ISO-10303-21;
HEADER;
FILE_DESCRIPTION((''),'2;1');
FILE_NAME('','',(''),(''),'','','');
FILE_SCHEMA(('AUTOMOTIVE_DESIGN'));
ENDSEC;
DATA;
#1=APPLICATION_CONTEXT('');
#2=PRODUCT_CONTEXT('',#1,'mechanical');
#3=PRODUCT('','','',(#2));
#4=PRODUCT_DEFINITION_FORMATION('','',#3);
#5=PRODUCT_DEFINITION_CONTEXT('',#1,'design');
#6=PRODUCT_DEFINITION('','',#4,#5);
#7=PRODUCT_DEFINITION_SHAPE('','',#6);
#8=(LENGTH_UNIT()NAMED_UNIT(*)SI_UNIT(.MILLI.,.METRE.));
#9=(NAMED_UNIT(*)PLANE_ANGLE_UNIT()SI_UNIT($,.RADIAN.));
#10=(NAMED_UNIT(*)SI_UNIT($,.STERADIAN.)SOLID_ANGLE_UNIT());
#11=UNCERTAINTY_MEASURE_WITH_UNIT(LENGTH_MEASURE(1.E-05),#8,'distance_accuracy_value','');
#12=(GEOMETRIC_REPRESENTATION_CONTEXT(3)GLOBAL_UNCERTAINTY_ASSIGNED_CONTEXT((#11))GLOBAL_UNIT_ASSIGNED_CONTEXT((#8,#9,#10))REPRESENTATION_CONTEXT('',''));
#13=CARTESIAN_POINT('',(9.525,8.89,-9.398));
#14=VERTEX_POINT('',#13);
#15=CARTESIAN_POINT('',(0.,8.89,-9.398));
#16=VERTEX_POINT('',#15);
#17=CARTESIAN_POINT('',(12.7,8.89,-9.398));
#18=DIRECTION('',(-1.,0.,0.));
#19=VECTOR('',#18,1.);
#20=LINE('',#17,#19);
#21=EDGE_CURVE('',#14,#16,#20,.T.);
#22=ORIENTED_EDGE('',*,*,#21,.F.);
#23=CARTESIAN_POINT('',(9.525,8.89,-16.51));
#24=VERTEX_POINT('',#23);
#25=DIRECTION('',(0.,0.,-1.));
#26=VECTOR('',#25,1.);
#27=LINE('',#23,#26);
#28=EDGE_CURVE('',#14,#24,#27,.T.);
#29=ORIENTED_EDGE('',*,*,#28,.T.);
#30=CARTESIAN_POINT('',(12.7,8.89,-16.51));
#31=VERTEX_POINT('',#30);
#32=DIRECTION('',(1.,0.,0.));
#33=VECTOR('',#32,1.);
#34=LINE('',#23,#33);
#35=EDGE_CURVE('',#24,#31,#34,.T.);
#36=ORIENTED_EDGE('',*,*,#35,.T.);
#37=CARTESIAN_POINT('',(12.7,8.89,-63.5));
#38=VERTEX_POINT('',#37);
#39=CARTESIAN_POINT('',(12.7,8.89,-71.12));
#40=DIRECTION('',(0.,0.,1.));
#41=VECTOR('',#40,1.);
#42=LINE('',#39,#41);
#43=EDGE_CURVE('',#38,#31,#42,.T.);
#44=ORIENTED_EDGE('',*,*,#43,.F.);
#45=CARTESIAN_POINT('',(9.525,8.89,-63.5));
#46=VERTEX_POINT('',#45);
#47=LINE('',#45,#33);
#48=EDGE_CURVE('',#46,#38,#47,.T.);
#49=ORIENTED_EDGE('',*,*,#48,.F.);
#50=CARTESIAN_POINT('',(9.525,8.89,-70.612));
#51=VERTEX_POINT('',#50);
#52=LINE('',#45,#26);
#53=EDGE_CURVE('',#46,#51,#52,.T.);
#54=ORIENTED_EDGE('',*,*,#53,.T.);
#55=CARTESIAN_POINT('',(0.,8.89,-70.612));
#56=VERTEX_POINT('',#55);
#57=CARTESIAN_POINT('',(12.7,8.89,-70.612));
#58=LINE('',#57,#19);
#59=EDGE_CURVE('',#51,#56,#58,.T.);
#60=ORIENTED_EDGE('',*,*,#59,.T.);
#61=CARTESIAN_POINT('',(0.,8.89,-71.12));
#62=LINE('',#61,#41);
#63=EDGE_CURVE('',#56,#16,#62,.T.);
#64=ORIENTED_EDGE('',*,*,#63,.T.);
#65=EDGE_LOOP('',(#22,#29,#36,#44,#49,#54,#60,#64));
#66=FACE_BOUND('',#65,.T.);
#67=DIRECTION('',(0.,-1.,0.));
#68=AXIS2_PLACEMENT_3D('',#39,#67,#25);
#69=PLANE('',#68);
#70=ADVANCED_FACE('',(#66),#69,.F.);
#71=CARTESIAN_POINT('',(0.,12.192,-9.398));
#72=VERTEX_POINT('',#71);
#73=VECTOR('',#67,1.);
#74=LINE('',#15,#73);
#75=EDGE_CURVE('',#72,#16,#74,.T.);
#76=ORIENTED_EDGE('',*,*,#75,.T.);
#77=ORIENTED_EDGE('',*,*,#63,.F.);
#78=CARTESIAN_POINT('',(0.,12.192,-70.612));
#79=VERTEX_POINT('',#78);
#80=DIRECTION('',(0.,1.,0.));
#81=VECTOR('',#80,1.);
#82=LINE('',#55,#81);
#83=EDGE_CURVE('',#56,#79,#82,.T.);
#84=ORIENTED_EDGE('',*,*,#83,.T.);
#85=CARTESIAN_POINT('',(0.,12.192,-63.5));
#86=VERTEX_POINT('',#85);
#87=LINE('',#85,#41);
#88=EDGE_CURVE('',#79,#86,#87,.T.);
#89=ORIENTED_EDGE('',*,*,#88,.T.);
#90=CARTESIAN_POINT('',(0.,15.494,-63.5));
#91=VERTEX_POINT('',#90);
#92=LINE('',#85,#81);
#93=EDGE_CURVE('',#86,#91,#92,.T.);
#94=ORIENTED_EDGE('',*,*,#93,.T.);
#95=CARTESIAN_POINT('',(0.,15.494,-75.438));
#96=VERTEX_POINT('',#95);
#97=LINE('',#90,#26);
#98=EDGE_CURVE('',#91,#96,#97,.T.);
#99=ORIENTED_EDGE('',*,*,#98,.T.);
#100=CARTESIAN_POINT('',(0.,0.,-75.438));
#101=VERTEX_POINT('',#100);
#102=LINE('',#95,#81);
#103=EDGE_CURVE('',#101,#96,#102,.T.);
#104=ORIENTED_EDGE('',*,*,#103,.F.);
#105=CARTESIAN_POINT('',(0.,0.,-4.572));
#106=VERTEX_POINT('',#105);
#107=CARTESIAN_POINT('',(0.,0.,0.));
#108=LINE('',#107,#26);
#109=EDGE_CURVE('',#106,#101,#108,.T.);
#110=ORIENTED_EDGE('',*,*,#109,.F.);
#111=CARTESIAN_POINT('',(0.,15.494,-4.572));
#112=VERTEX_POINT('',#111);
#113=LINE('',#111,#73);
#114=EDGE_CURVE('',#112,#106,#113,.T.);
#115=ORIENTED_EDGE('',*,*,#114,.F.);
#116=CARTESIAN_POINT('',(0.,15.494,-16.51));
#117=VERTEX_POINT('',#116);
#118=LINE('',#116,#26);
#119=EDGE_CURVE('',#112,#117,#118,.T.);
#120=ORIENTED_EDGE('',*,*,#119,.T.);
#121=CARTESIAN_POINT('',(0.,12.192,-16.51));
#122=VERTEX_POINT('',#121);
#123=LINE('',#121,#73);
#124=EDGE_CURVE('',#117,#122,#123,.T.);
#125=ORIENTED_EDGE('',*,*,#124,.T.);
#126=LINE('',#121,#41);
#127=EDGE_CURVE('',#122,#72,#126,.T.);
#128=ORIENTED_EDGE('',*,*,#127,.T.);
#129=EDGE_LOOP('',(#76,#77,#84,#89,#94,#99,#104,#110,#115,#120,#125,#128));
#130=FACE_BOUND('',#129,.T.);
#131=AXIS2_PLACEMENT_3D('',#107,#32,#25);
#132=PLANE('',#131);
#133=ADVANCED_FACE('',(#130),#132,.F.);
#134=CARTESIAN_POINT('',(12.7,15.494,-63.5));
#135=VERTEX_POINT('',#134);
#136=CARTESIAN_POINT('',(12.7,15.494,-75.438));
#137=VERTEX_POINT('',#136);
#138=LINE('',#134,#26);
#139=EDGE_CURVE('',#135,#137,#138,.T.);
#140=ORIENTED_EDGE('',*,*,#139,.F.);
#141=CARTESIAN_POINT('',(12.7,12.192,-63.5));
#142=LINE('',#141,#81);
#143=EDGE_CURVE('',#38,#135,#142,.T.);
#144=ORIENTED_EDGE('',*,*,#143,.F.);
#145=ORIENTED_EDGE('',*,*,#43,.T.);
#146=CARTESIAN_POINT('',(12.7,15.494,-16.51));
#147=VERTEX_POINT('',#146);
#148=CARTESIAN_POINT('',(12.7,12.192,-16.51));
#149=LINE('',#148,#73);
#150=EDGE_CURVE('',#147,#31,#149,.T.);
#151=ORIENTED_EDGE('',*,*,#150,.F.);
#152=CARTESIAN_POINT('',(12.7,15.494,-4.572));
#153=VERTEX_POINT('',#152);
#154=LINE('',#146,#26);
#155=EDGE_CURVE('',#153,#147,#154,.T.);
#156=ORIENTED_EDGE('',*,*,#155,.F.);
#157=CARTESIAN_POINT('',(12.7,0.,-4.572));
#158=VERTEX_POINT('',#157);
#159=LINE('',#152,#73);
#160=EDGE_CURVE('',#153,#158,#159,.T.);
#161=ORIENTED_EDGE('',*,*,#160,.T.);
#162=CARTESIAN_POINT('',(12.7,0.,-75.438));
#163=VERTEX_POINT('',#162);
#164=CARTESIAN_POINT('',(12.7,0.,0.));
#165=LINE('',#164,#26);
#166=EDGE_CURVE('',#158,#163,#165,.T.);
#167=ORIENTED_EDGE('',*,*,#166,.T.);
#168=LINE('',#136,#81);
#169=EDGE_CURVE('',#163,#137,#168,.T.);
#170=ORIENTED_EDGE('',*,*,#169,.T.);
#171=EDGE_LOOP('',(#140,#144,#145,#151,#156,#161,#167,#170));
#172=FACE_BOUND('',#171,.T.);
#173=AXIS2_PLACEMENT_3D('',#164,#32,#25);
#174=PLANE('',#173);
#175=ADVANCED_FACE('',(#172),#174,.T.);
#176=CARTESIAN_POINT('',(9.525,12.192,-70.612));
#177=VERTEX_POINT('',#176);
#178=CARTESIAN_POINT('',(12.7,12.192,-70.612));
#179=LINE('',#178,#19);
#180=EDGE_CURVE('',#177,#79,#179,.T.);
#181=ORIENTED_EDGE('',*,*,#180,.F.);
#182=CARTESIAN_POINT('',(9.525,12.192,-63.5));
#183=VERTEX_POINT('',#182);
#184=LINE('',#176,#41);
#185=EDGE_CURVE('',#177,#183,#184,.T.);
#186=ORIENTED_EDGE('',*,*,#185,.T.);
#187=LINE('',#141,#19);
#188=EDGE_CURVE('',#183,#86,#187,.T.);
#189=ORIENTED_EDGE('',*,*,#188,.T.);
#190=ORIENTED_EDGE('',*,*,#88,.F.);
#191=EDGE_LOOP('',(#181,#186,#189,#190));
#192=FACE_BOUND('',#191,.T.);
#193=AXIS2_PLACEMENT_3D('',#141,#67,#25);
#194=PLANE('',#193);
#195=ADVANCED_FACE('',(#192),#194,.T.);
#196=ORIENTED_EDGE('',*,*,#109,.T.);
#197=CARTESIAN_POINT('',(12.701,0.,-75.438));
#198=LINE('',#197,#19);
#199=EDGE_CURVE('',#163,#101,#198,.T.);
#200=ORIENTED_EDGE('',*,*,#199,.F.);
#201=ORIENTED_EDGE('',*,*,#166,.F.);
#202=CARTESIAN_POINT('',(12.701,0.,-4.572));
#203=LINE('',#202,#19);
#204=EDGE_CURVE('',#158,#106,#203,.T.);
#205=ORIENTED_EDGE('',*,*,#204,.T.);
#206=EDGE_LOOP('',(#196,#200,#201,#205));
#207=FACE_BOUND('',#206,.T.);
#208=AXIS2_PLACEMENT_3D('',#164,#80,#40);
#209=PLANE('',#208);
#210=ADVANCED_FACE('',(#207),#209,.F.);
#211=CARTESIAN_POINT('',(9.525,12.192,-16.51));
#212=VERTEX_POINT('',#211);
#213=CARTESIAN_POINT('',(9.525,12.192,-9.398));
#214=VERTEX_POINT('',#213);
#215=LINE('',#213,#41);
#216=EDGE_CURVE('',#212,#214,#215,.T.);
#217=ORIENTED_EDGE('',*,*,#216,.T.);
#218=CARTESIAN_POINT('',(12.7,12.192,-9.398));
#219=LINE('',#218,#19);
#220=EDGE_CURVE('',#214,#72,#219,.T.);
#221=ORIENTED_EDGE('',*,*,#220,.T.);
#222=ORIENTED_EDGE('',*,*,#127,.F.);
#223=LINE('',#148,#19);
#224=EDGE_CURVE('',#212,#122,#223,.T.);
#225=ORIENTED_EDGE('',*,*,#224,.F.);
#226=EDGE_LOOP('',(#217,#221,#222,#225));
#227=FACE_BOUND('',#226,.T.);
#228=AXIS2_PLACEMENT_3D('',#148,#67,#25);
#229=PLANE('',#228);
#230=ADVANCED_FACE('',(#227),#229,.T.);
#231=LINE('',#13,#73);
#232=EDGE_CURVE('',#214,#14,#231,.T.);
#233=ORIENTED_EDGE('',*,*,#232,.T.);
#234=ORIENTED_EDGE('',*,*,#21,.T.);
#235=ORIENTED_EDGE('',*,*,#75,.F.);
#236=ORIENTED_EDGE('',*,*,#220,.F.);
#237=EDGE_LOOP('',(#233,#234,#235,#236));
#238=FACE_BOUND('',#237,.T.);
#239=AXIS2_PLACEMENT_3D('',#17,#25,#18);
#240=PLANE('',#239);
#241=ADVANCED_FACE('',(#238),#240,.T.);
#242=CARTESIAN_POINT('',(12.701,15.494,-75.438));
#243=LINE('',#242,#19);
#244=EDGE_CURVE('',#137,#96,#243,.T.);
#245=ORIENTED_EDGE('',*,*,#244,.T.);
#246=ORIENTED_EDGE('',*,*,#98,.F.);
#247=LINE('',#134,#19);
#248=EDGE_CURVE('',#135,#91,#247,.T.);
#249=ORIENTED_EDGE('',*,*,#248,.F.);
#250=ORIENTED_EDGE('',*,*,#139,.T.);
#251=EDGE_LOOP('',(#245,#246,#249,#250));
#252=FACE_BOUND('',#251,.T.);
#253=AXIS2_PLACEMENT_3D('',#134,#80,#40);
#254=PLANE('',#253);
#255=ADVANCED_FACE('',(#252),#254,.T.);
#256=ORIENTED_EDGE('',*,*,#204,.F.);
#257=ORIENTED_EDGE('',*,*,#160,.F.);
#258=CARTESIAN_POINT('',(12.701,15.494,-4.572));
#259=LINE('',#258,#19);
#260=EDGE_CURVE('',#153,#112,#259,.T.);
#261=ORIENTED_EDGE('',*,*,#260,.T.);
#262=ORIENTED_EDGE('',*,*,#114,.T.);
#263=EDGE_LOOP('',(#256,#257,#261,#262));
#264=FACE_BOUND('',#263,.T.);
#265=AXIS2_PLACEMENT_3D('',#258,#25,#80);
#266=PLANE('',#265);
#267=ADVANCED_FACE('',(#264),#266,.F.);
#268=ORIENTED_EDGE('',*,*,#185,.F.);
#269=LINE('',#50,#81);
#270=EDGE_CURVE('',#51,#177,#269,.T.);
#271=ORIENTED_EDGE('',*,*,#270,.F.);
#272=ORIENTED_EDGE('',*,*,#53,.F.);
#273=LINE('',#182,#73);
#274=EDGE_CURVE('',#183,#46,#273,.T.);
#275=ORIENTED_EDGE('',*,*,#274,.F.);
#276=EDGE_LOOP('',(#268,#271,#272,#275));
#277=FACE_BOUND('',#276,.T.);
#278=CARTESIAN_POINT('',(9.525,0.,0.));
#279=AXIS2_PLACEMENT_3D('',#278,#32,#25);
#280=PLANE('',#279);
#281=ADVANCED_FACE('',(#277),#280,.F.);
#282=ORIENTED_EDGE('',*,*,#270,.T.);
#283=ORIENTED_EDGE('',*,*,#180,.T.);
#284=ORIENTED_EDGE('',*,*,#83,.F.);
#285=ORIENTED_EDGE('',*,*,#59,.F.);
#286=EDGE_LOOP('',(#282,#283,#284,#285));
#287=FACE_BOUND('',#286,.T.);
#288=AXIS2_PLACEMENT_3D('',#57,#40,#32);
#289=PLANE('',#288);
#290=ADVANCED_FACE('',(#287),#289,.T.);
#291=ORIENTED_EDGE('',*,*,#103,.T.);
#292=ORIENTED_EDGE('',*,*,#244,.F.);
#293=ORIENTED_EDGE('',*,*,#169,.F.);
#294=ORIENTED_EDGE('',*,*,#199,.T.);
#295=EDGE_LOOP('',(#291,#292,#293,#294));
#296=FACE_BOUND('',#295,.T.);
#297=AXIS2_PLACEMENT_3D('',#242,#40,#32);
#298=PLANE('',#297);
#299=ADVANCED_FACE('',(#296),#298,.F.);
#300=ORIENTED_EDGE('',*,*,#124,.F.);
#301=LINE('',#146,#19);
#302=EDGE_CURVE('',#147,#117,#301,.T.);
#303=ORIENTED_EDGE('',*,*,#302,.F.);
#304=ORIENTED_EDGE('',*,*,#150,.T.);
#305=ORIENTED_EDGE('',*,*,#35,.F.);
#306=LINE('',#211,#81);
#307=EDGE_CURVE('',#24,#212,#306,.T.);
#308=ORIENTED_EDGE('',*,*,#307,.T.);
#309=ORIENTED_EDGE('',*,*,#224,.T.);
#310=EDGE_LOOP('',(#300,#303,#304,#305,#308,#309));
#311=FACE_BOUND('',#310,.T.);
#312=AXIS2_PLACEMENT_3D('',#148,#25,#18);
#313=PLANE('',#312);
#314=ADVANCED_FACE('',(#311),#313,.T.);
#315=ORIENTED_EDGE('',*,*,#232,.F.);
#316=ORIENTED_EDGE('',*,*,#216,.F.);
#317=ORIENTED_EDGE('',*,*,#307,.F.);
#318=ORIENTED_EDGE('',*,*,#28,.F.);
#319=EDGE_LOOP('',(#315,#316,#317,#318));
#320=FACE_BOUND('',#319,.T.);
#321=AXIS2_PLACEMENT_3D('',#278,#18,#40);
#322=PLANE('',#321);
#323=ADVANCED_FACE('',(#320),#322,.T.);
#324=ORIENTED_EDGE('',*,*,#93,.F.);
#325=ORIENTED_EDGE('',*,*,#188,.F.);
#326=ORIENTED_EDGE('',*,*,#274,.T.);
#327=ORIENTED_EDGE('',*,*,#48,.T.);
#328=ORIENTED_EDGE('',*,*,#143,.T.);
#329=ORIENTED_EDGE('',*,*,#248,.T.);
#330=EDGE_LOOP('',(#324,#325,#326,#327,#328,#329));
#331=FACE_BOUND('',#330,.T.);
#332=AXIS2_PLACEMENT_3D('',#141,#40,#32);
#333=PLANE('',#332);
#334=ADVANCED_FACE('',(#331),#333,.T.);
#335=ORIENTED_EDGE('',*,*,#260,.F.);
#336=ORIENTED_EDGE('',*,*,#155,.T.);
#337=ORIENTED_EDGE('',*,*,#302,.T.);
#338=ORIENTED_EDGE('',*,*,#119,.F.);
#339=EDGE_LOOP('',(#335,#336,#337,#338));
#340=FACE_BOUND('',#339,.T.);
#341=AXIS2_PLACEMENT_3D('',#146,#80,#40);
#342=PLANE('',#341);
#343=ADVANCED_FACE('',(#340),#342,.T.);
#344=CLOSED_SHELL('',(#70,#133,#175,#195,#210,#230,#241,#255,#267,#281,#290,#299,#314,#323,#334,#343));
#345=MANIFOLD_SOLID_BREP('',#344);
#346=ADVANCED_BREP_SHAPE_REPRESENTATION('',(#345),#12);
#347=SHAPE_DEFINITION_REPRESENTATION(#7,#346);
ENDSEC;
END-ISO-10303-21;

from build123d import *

# Parameters (mm, degrees)
BOSS_EXTRUDE1_DEPTH = 12.7
BOSS_EXTRUDE3_DEPTH = 12.7
CUT_EXTRUDE1_REACH  = 14.7
CUT_EXTRUDE2_REACH  = 14.7
SKETCH6_W           = 7.112
SKETCH6_H           = 3.302
BOSS_EXTRUDE4_DEPTH = 3.175
SKETCH7_W           = 7.112
SKETCH7_H           = 3.302
BOSS_EXTRUDE5_DEPTH = 3.175


with BuildPart() as part:
    # Sketch1 → Boss-Extrude1 (new body)
    with BuildSketch(Plane(origin=(0, 0, 0), x_dir=(0, 0, -1), z_dir=(1, 0, 0))):
        Polygon((0, 0), (80.01, 0), (80.01, 19.05), (71.12, 19.05), (71.12, 8.89), (8.89, 8.89), (8.89, 19.05), (0, 19.05), align=None)
    extrude(amount=BOSS_EXTRUDE1_DEPTH)

    # Sketch2 → Boss-Extrude3 (add)
    with BuildSketch(Plane.ZY):
        Polygon((-63.5, 12.192), (-70.612, 12.192), (-70.612, 8.89), (-74.93, 8.89), (-74.93, 15.494), (-63.5, 15.494), align=None)
        Polygon((-16.51, 12.192), (-9.398, 12.192), (-9.398, 8.89), (-5.08, 8.89), (-5.08, 15.494), (-16.51, 15.494), align=None)
    extrude(amount=-BOSS_EXTRUDE3_DEPTH)

    # Sketch4 → Cut-Extrude1 (cut, up to next)
    with BuildSketch(Plane.ZY, mode=Mode.PRIVATE) as cut_extrude1_sk1:
        Polygon((-71.12, 15.494), (-75.438, 15.494), (-75.438, 0), (-80.01, 0), (-80.01, 19.05), (-71.12, 19.05), align=None)
    cut_extrude1_tool1 = extrude(cut_extrude1_sk1.sketch, amount=-CUT_EXTRUDE1_REACH, mode=Mode.PRIVATE) & part.part
    add(cut_extrude1_tool1.solids().sort_by_distance((0, 10.686074, -77.05781))[0], mode=Mode.SUBTRACT)

    # Sketch5 → Cut-Extrude2 (cut, up to next)
    with BuildSketch(Plane.ZY, mode=Mode.PRIVATE) as cut_extrude2_sk1:
        Polygon((-8.89, 15.494), (-4.572, 15.494), (-4.572, 0), (0, 0), (0, 19.05), (-8.89, 19.05), align=None)
    cut_extrude2_tool1 = extrude(cut_extrude2_sk1.sketch, amount=-CUT_EXTRUDE2_REACH, mode=Mode.PRIVATE) & part.part
    add(cut_extrude2_tool1.solids().sort_by_distance((0, 10.686074, -2.95219))[0], mode=Mode.SUBTRACT)

    # Sketch6 → Boss-Extrude4 (add)
    with BuildSketch(Plane(origin=(12.7, 0, 0), x_dir=(0, 0, -1), z_dir=(1, 0, 0))):
        with Locations((12.954, 10.541)):
            Rectangle(SKETCH6_W, SKETCH6_H)
    extrude(amount=-BOSS_EXTRUDE4_DEPTH)

    # Sketch7 → Boss-Extrude5 (add)
    with BuildSketch(Plane(origin=(12.7, 0, 0), x_dir=(0, 0, -1), z_dir=(1, 0, 0))):
        with Locations((67.056, 10.541)):
            Rectangle(SKETCH7_W, SKETCH7_H)
    extrude(amount=-BOSS_EXTRUDE5_DEPTH)


solid = part.part
